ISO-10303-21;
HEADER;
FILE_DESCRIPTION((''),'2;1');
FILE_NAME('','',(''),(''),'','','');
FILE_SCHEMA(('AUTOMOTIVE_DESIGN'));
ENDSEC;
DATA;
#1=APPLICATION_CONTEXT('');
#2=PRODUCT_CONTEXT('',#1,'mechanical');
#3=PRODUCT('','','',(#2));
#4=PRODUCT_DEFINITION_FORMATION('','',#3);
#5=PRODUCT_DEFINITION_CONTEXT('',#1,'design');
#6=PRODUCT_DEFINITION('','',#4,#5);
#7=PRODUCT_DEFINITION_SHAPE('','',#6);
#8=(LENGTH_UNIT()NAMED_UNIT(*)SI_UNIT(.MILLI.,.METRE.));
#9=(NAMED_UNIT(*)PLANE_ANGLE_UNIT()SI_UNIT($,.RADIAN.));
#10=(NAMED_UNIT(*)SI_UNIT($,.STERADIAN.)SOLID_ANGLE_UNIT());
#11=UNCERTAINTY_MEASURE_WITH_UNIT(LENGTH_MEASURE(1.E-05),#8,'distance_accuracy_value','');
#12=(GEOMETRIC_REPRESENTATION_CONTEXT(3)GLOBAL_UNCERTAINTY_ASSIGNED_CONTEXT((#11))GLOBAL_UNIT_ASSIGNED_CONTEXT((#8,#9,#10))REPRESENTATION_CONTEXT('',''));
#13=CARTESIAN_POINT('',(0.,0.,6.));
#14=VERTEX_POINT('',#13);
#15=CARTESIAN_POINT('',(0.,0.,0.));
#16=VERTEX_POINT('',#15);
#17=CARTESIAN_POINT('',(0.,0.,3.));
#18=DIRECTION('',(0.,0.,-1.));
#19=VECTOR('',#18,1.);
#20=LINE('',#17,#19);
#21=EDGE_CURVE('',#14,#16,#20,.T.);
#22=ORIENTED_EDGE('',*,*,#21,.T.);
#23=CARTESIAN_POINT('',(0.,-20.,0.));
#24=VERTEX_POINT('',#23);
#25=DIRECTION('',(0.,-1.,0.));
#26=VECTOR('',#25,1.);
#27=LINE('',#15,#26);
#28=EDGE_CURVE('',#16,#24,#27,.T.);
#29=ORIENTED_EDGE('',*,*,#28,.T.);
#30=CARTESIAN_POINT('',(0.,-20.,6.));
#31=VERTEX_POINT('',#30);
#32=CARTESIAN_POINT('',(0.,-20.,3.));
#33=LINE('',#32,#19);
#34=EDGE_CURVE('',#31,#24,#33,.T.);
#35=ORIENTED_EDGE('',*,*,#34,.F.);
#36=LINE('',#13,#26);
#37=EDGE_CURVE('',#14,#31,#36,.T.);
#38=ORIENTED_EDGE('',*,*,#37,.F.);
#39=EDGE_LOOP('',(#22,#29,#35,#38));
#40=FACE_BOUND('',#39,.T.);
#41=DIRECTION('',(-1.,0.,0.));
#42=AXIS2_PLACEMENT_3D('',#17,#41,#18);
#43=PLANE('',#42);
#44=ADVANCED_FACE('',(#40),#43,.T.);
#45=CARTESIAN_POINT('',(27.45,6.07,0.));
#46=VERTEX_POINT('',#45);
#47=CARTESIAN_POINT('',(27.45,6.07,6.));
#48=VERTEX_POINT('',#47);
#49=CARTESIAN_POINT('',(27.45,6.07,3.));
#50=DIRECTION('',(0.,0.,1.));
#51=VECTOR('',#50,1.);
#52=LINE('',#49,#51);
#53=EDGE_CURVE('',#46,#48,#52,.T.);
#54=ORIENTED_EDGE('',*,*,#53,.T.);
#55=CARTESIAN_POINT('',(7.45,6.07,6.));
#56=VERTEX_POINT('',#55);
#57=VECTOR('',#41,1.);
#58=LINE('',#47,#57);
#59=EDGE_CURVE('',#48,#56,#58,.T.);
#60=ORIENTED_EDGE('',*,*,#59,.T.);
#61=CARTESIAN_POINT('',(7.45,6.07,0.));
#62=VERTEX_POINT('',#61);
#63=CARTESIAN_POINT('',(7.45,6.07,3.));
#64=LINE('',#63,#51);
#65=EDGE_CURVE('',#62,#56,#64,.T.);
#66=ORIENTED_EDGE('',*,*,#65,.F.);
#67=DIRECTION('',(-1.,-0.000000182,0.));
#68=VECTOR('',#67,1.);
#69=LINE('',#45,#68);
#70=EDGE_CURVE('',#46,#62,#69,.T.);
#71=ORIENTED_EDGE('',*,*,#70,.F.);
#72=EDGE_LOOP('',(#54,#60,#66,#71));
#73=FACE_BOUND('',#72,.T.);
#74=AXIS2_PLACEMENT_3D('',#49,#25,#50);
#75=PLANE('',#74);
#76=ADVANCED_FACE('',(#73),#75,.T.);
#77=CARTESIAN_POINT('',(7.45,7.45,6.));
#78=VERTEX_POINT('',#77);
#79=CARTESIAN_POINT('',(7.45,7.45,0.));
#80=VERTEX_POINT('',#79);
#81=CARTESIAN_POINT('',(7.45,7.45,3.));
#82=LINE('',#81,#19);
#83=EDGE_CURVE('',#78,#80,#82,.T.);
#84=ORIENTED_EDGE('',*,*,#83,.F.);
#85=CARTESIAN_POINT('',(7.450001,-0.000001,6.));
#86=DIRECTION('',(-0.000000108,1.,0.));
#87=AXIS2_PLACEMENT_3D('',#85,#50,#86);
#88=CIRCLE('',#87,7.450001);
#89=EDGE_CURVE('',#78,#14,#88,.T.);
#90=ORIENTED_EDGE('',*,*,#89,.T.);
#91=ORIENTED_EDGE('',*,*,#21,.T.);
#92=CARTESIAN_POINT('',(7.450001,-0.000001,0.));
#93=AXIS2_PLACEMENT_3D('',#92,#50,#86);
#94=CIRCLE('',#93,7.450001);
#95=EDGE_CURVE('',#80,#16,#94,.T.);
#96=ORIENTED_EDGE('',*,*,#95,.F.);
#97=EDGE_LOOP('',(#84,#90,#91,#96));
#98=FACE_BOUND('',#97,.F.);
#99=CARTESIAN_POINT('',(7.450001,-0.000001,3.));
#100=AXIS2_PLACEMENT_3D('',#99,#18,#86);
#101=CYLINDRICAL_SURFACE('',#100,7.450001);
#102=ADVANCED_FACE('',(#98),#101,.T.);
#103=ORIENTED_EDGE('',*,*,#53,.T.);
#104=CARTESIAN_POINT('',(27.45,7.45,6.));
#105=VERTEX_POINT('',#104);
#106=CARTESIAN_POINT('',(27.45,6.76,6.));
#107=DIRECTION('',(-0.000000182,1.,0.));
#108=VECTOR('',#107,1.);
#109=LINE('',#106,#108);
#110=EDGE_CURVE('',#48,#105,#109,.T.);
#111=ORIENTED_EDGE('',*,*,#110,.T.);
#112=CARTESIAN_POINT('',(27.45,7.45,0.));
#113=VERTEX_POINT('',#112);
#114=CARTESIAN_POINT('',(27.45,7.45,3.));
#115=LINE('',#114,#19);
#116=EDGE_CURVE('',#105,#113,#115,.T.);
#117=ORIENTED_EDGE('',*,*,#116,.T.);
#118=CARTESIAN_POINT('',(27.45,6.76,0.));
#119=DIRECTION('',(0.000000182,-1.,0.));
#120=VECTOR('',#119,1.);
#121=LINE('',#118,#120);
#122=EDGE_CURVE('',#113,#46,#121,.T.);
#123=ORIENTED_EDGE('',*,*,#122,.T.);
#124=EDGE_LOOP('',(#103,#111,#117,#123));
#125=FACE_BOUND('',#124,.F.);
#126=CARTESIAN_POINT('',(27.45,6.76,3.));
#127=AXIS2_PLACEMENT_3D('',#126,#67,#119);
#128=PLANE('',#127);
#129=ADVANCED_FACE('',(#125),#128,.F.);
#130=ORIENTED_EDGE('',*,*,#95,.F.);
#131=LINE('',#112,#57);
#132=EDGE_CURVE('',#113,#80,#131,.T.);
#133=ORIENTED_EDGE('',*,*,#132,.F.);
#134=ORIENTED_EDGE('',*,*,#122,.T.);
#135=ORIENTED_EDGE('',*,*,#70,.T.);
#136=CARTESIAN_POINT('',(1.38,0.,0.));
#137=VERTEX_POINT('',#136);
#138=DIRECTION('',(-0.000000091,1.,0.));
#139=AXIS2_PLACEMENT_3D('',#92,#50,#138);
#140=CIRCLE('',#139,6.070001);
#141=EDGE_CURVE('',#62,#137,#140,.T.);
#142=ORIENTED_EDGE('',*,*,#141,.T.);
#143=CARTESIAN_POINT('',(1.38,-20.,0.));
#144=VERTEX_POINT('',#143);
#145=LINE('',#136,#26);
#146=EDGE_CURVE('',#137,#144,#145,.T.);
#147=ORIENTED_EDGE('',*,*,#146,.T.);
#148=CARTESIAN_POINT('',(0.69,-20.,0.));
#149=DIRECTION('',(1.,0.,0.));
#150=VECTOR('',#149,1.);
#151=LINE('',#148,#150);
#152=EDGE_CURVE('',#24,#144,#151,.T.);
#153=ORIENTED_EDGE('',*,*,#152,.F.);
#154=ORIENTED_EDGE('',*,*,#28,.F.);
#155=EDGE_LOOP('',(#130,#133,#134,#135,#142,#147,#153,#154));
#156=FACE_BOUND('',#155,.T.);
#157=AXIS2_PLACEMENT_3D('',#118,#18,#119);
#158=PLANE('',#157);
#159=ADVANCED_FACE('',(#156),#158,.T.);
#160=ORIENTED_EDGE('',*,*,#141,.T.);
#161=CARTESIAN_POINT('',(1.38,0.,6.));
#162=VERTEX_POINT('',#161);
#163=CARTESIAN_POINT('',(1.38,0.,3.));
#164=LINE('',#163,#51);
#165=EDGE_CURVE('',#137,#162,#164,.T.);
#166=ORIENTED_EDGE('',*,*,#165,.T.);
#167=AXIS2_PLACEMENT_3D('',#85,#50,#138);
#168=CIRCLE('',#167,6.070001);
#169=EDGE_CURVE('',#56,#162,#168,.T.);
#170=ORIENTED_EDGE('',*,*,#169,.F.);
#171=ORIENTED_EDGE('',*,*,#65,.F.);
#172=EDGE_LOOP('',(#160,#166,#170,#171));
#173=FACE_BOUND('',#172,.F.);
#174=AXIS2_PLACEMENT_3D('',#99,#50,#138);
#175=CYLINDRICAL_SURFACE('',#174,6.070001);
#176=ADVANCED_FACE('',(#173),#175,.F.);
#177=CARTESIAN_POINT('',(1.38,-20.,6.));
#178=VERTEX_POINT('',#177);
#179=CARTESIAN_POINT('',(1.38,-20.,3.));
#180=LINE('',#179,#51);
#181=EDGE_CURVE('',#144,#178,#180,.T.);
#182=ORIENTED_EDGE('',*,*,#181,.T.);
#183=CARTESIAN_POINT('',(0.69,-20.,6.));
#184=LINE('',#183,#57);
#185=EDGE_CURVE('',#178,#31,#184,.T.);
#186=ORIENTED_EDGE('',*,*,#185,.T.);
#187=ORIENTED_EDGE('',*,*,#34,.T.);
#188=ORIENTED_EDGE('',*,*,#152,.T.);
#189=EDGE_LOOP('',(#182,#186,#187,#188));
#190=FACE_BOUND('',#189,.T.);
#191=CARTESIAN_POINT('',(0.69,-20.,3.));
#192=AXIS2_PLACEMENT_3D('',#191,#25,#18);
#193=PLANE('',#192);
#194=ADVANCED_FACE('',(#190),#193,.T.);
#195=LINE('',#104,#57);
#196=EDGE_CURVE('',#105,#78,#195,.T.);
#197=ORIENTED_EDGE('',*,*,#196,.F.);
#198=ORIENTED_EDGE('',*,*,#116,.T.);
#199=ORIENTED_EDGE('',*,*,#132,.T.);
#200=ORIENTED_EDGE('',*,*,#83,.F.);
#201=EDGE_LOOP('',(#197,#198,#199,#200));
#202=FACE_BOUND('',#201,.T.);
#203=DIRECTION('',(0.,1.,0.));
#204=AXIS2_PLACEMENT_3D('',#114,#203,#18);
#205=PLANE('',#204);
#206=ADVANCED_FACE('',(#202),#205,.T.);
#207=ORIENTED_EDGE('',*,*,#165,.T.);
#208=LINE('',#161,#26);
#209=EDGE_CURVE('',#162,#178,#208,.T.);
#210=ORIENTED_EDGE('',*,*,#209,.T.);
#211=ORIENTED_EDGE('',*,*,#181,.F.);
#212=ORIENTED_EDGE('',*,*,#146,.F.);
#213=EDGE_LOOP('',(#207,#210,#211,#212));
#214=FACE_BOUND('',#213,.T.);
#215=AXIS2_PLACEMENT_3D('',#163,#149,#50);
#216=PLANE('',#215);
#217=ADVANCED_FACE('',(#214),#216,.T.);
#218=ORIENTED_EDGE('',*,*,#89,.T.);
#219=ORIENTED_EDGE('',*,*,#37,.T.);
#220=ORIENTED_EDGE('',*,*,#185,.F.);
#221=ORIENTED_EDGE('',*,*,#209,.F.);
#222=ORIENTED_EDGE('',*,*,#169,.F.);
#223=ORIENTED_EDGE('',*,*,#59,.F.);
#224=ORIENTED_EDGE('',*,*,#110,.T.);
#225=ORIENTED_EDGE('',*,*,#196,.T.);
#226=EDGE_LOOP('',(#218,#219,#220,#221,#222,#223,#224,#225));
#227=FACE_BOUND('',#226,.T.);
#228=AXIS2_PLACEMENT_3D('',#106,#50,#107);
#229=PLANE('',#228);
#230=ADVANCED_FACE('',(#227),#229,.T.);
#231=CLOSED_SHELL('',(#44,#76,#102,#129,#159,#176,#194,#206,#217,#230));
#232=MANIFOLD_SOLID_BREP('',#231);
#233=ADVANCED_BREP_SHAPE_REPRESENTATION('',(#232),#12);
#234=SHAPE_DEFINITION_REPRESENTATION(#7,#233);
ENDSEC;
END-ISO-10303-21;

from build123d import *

# Parameters (mm, degrees)
SKETCH001_W = 1.38
SKETCH001_H = 6


with BuildPart() as part:
    # AdditivePipe: sweep along a path in Sketch002
    with BuildLine(Plane.XY) as additivepipe_path:
        Line((27.45, 6.07), (7.45, 6.07))
        ThreePointArc((7.45, 6.07), (3.157862, 4.292138), (1.38, 0))
        Line((1.38, 0), (1.38, -20))
    # Sketch001 → AdditivePipe (sweep)
    with BuildSketch(Plane.XZ):
        with Locations((0.69, 3)):
            Rectangle(SKETCH001_W, SKETCH001_H)
    sweep(path=additivepipe_path.line)


solid = part.part
